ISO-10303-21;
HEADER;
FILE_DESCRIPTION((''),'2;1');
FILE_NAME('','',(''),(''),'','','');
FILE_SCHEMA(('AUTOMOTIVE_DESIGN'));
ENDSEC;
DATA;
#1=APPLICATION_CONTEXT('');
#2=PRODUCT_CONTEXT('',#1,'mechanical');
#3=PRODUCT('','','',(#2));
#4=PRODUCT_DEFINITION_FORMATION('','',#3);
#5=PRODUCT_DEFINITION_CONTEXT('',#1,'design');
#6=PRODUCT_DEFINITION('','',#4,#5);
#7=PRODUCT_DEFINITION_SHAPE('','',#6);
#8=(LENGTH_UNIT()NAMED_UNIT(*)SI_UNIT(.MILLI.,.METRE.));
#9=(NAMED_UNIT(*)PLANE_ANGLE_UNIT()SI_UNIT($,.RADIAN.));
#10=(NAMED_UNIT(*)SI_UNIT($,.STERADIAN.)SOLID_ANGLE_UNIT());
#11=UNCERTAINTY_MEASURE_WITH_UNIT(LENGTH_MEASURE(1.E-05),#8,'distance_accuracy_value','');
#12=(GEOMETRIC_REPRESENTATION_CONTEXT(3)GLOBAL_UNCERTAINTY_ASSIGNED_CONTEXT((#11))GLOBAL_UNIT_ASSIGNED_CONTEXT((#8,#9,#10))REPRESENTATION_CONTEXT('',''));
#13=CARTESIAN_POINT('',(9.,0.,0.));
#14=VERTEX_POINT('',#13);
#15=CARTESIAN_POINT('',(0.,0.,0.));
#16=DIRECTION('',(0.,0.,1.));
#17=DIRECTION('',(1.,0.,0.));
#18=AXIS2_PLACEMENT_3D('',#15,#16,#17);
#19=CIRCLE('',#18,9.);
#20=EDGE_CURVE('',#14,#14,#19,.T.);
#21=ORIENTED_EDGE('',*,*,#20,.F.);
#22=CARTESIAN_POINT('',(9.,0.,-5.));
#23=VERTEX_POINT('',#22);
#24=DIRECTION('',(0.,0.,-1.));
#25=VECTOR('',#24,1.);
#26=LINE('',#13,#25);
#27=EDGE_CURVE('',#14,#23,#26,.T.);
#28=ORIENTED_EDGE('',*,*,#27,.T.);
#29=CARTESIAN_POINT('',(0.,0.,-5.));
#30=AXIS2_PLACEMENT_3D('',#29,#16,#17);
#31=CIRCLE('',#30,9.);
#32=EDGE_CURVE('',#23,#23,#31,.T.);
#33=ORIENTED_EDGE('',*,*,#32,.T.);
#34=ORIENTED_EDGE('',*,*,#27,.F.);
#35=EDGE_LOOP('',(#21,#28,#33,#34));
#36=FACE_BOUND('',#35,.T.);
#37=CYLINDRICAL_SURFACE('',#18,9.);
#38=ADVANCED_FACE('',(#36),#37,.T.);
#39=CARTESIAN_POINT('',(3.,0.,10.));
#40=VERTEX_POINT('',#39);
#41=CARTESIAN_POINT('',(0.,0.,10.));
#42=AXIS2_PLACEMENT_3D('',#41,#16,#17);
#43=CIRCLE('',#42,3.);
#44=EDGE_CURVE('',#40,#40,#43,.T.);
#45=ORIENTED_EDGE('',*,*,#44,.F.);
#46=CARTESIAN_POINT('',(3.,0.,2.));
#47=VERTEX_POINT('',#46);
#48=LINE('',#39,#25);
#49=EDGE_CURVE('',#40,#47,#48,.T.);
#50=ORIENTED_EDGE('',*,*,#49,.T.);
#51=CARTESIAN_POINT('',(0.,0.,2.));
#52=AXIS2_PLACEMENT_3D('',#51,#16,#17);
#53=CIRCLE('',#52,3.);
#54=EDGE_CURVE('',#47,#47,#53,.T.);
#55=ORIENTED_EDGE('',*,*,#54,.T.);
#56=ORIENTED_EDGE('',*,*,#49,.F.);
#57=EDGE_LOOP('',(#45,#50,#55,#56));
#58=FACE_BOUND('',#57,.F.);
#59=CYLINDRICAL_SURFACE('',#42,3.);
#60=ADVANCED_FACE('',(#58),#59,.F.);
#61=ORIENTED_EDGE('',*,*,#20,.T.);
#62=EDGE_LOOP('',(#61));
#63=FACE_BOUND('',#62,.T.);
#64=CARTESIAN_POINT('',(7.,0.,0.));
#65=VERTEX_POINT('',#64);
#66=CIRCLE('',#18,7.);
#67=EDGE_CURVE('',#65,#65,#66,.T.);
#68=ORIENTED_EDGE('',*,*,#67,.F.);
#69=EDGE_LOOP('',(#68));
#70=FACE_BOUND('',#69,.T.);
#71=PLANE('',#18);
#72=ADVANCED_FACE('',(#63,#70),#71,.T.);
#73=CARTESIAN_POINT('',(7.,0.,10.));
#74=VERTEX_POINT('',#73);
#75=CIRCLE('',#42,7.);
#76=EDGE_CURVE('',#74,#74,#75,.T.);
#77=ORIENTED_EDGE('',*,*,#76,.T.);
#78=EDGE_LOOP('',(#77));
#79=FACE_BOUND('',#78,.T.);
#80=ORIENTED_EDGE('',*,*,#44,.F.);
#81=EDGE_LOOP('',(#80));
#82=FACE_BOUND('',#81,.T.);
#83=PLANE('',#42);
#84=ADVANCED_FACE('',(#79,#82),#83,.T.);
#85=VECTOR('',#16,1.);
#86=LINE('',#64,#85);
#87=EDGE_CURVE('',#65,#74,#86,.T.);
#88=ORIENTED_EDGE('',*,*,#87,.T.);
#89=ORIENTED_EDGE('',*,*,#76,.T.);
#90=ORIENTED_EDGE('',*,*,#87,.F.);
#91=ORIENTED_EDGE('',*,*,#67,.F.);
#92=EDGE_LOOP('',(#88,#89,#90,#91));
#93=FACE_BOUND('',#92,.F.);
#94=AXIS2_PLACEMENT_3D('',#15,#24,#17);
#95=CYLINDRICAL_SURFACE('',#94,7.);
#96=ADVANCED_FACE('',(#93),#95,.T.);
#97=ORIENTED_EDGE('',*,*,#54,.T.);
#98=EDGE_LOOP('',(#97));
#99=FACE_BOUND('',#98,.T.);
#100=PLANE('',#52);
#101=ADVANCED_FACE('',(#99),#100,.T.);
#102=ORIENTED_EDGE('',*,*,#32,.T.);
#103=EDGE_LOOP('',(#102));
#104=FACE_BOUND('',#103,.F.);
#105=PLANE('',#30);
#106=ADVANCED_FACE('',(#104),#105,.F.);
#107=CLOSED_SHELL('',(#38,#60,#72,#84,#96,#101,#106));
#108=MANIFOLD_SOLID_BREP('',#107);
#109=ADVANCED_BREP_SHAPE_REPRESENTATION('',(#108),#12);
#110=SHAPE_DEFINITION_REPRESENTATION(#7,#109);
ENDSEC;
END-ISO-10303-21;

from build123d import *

# Parameters (mm, degrees)
F0_R     = 9
F0_R_2   = 7
F1_DEPTH = 5
F2_DEPTH = 10
F3_R     = 3
F4_DEPTH = 8


with BuildPart() as f1:
    # F0 (on Top) → F1 (new body)
    with BuildSketch(Plane.XY):
        Circle(F0_R)
        Circle(F0_R_2, mode=Mode.SUBTRACT)
        Circle(F0_R_2)
    extrude(amount=-F1_DEPTH)

    # F0 (on Top) → F2 (join)
    with BuildSketch(Plane.XY):
        Circle(F0_R_2)
    extrude(amount=F2_DEPTH)

    # F3 (on face) → F4 (cut)
    with BuildSketch(Plane.XY.offset(10)):
        Circle(F3_R)
    extrude(amount=-F4_DEPTH, mode=Mode.SUBTRACT)


solid = f1.part
